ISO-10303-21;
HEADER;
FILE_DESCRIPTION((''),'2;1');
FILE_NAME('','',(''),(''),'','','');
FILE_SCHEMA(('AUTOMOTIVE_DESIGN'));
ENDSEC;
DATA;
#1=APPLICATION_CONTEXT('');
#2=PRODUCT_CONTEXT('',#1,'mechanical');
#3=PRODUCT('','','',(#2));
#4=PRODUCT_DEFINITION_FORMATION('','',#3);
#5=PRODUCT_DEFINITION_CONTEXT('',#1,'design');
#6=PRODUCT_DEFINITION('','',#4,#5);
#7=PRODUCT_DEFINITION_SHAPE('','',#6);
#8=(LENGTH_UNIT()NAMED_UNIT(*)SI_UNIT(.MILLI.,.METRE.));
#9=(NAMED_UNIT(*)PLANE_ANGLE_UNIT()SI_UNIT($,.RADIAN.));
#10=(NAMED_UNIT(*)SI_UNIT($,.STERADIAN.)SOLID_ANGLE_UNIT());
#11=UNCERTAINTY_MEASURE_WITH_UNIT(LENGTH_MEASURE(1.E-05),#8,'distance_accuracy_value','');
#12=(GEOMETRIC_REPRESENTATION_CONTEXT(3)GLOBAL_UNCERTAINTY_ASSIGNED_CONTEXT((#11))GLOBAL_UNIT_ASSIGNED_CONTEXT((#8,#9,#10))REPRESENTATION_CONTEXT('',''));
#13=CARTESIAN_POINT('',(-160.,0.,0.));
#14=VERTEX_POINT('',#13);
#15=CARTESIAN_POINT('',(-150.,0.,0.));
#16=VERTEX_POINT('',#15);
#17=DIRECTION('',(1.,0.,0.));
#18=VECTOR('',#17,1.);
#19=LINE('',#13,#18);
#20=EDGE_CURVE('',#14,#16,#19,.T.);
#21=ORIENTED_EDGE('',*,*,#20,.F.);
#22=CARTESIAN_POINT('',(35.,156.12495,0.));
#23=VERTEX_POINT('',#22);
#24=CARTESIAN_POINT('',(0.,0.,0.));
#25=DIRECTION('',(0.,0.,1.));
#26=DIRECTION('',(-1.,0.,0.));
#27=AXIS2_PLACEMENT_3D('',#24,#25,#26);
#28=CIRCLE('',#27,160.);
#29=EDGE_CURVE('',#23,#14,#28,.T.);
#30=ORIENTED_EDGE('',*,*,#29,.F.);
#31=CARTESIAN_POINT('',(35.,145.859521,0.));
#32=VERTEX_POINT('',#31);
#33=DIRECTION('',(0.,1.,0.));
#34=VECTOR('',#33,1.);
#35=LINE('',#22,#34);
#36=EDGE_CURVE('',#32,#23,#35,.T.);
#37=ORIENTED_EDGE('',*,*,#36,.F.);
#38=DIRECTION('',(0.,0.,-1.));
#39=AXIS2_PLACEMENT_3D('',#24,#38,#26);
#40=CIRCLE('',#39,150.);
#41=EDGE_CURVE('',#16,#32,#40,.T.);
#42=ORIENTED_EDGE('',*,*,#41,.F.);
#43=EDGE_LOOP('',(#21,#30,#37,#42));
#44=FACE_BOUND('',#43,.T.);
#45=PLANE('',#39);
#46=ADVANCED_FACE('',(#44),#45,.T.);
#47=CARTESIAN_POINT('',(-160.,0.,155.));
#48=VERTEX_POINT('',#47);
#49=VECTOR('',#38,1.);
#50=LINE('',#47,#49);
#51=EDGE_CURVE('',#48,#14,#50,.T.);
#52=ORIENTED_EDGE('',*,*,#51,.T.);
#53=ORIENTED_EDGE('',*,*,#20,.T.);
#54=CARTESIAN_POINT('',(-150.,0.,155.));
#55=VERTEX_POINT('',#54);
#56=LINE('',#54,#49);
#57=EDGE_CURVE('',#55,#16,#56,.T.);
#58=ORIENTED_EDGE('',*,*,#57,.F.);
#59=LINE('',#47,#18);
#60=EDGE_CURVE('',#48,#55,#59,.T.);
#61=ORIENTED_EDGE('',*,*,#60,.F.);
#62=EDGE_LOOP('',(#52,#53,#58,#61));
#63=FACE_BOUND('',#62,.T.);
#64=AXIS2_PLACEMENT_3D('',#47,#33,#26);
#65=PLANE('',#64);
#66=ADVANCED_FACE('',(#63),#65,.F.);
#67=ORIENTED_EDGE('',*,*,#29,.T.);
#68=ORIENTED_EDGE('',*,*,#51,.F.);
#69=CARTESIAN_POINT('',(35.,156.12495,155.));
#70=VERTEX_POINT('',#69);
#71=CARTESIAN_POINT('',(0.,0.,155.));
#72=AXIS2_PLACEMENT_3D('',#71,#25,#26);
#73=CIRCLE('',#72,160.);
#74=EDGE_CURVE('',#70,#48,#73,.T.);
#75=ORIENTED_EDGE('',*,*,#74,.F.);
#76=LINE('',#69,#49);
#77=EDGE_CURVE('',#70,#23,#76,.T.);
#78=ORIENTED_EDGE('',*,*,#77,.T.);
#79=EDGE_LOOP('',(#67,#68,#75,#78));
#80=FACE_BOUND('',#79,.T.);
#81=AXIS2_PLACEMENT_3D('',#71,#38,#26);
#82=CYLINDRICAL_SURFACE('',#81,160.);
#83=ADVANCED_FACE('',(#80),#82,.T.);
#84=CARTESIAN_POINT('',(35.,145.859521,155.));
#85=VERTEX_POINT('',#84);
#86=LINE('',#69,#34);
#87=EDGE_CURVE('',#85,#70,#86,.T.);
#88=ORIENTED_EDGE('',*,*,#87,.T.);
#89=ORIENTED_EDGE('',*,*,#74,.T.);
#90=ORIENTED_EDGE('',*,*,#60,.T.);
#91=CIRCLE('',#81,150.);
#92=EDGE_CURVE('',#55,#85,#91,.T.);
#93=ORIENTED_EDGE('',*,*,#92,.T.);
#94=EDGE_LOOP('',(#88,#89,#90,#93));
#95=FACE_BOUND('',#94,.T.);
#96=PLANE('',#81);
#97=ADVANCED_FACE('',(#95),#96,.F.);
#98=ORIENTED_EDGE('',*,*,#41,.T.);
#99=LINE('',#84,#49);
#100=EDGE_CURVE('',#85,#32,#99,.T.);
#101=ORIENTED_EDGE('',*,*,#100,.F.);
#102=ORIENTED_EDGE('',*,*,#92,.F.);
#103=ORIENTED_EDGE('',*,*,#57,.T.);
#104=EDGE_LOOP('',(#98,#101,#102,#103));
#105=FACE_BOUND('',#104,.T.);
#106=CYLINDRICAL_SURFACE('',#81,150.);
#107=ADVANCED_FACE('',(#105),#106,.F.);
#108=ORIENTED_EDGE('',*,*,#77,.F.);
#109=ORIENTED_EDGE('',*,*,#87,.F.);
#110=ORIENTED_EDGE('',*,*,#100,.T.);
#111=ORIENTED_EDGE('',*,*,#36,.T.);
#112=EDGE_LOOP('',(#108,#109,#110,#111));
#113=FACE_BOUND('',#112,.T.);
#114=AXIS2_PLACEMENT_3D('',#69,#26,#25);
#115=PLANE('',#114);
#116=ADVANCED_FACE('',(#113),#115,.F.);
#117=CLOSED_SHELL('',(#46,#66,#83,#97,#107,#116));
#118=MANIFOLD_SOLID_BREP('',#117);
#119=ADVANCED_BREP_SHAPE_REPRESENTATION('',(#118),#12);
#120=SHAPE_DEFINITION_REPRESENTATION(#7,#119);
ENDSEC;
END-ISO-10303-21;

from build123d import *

# Parameters (mm, degrees)
INNER_RING_LEFT_SIDE_DEPTH = 155


with BuildPart() as part:
    # Sketch1 → Inner Ring - Left Side (new body)
    with BuildSketch(Plane.XY):
        with BuildLine():
            Line((35, 156.12494996), (35, 145.859521458))
            ThreePointArc((35, 145.859521458), (-92.870878105, 117.792189894), (-150, 0))
            Line((-150, 0), (-160, 0))
            ThreePointArc((-160, 0), (-100, 124.899959968), (35, 156.12494996))
        make_face()
    extrude(amount=INNER_RING_LEFT_SIDE_DEPTH)


solid = part.part
